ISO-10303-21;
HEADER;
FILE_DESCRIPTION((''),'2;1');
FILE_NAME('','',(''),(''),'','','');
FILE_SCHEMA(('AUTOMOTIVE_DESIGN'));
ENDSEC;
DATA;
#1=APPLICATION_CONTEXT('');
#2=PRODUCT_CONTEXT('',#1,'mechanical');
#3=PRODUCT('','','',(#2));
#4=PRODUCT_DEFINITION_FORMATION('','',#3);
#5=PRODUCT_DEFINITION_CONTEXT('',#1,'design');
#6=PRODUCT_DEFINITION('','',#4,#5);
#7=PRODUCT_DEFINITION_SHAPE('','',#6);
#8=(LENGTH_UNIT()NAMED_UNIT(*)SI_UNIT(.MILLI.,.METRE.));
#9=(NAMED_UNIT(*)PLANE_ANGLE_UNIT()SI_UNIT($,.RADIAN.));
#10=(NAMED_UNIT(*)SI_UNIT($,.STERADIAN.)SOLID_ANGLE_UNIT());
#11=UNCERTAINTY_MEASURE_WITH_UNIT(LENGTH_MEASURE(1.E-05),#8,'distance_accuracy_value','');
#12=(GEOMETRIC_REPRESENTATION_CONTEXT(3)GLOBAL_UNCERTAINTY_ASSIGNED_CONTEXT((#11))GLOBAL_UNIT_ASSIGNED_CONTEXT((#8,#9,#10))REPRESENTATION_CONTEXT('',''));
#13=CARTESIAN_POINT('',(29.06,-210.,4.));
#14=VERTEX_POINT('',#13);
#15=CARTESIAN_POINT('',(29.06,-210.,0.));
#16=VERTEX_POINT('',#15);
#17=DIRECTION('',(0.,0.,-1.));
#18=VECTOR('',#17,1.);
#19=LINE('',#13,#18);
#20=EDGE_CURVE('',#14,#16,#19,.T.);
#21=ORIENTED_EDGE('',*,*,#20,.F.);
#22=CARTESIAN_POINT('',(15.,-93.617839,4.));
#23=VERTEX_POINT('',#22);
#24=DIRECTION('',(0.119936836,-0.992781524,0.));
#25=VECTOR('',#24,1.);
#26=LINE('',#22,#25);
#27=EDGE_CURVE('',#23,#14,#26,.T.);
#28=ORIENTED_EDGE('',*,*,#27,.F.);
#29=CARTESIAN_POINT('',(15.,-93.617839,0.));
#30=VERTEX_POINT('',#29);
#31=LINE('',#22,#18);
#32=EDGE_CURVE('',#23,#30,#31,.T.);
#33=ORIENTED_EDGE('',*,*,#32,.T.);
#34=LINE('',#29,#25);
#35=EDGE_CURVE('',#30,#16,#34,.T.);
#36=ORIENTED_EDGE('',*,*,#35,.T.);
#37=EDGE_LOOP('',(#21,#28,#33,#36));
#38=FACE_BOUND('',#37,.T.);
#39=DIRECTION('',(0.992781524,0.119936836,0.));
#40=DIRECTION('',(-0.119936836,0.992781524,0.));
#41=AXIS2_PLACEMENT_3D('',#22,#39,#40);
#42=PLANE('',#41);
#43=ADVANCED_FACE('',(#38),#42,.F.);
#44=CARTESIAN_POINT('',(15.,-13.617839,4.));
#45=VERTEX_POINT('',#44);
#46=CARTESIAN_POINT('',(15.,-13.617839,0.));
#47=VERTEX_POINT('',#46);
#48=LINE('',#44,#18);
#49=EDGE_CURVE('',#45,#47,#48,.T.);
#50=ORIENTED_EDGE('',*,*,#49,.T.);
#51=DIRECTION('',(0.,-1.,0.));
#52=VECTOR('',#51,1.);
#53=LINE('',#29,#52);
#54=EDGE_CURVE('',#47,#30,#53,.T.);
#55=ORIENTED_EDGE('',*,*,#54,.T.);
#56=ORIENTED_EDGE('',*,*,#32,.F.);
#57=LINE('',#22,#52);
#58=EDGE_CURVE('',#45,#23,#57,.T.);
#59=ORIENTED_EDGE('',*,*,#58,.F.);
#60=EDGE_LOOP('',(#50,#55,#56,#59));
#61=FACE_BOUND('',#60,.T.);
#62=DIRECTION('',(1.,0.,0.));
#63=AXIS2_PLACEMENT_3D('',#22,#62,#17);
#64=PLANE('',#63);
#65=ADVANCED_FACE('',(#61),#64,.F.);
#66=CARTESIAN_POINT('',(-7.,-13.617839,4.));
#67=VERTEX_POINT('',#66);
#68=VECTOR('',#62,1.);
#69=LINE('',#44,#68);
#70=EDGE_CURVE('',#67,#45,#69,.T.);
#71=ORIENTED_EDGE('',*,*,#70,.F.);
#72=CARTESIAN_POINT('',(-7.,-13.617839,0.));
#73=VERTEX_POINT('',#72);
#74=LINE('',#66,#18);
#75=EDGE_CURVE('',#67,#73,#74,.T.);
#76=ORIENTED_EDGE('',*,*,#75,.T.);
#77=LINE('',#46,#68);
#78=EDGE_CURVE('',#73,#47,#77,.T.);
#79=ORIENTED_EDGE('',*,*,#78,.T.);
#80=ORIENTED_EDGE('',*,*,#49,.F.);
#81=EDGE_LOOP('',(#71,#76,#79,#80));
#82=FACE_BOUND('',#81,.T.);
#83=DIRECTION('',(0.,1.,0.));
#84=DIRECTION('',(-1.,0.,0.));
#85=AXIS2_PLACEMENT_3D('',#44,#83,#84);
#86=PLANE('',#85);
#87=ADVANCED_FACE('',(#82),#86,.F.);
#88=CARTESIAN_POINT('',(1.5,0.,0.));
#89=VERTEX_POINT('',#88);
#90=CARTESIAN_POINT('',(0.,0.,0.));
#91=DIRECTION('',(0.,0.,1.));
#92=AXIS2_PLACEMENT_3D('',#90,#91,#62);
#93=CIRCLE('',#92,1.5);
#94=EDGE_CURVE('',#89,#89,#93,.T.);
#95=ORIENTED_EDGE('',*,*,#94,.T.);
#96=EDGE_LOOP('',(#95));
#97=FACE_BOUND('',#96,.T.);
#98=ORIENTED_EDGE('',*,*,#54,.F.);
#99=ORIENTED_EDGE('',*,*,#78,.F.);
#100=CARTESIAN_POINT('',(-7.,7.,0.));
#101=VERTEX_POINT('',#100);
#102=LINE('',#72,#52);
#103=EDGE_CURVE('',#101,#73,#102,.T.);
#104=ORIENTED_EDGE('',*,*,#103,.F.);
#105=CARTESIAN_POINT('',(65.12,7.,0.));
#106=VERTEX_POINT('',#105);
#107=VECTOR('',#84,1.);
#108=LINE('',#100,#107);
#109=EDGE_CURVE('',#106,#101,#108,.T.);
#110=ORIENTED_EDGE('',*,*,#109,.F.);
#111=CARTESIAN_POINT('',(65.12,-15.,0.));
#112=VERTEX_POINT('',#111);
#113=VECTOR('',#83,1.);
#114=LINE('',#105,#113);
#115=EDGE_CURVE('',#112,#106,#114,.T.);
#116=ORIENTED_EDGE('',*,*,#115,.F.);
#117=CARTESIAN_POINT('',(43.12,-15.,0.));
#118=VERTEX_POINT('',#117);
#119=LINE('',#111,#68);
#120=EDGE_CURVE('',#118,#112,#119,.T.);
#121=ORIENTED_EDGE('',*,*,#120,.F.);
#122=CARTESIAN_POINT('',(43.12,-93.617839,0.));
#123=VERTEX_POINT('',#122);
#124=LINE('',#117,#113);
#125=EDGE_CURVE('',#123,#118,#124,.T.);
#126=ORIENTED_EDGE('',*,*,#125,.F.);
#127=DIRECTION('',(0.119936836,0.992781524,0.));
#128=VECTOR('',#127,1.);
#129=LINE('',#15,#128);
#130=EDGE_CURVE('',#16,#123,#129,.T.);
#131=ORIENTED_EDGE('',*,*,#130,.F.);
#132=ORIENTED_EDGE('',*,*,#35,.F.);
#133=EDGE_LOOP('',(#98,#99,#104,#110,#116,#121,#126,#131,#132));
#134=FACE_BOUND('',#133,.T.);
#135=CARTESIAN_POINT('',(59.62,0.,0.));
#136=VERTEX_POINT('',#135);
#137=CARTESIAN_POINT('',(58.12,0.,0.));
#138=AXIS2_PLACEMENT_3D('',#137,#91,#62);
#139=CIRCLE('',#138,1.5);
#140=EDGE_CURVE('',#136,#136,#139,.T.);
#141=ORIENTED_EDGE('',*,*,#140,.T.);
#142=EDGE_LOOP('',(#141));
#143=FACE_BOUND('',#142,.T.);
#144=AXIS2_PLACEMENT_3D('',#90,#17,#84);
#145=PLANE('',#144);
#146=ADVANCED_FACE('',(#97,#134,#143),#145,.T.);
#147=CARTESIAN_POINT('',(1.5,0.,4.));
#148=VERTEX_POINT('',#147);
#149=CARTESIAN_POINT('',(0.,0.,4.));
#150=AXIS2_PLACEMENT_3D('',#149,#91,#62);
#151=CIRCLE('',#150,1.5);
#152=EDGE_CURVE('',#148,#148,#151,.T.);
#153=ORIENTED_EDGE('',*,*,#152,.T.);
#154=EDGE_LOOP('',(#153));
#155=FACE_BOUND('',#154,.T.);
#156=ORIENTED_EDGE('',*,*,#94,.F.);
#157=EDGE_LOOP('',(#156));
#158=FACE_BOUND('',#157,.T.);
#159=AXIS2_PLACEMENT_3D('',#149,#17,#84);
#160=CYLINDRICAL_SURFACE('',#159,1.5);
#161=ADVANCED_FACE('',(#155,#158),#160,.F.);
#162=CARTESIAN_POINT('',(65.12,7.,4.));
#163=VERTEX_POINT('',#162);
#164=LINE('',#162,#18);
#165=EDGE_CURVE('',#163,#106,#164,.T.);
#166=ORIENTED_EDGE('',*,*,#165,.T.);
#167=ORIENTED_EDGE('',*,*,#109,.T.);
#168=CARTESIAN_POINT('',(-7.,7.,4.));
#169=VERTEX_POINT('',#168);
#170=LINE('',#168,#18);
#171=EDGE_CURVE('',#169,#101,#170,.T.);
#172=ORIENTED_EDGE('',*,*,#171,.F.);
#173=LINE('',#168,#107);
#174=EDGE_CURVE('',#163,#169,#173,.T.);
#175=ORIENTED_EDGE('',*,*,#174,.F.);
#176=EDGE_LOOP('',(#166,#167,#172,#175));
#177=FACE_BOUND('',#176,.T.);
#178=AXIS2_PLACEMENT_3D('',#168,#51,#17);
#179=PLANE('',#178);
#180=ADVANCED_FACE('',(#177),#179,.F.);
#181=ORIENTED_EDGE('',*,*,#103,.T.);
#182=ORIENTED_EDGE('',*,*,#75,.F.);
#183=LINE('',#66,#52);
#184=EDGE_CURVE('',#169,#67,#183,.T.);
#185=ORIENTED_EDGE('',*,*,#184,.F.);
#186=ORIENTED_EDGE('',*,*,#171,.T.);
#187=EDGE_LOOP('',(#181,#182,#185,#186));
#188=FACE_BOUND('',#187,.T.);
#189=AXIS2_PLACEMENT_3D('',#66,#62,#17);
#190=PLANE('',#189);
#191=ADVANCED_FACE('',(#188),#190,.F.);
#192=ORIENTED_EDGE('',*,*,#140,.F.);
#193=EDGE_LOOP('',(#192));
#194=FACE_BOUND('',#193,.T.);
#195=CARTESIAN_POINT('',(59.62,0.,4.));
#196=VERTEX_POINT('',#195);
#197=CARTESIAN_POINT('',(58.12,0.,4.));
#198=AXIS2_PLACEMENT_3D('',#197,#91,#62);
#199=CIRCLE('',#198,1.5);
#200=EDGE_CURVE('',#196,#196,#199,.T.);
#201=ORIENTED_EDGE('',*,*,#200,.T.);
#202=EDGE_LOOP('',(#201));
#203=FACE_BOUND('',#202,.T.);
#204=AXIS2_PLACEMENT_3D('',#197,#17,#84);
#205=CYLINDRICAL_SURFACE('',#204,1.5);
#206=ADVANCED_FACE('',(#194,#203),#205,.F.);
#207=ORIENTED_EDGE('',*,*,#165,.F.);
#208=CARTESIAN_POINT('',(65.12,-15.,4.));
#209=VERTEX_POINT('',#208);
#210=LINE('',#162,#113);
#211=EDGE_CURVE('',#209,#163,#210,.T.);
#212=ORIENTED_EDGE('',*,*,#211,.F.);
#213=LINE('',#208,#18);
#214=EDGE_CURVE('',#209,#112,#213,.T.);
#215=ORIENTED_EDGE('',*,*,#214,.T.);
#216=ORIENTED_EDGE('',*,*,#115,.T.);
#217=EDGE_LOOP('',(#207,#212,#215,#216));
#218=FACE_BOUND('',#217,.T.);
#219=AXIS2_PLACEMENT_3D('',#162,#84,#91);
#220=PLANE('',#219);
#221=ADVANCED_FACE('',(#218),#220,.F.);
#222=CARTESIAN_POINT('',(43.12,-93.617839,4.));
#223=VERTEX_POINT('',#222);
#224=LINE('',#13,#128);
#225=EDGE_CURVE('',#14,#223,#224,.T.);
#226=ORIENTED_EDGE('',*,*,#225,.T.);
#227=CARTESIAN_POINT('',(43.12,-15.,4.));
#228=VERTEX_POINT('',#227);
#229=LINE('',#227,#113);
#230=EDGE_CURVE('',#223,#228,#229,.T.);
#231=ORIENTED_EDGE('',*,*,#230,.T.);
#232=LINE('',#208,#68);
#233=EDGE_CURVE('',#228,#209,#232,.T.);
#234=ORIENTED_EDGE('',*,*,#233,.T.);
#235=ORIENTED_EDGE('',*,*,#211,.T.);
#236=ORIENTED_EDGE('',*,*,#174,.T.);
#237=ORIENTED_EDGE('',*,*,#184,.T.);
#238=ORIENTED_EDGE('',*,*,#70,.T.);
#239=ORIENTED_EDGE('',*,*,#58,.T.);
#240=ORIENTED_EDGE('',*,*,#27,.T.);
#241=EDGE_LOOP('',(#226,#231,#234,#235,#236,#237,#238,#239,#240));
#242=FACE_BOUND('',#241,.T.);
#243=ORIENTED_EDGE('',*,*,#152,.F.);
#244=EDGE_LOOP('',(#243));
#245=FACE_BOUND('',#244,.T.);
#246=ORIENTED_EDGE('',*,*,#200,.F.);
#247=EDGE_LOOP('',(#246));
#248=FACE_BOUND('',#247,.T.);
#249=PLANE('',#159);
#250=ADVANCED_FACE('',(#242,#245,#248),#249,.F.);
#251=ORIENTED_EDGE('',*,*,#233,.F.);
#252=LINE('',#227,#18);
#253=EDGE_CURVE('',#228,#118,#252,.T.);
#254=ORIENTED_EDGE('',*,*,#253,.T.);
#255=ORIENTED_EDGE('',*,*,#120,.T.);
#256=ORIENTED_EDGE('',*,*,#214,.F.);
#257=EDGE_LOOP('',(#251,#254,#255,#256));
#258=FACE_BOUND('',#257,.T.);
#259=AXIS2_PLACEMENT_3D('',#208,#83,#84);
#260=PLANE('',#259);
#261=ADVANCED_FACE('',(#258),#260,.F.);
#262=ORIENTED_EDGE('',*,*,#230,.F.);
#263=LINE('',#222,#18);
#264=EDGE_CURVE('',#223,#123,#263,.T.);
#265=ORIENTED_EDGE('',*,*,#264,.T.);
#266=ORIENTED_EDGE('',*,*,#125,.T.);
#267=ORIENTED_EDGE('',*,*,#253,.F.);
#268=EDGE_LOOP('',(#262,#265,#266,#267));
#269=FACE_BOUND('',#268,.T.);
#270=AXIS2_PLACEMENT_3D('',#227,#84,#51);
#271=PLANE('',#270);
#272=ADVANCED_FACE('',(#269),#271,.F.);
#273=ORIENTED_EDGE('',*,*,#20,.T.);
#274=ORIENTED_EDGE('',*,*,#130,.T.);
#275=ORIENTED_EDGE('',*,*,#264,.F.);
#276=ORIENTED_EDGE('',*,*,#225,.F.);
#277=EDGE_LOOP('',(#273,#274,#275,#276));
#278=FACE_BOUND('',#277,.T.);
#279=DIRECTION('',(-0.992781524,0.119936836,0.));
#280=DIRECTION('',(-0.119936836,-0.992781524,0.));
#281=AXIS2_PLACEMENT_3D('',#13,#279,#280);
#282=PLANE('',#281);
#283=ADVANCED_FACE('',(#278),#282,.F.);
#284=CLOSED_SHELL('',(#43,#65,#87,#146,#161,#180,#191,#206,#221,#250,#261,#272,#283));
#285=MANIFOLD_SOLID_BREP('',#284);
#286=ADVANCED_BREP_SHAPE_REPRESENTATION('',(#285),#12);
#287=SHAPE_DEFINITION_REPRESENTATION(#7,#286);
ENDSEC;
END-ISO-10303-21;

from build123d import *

# Parameters (mm, degrees)
SKETCH_1_R      = 1.5
EXTRUDE_1_DEPTH = 4


with BuildPart() as part:
    # 草图1 → 凸台-拉伸1 (new body)
    with BuildSketch(Plane.XY):
        Polygon((-7, 7), (65.12, 7), (65.12, -15), (43.12, -15), (43.12, -93.617838822), (29.06, -210), (15, -93.617838822), (15, -13.617838822), (-7, -13.617838822), align=None)
        Circle(SKETCH_1_R, mode=Mode.SUBTRACT)
        with Locations((58.12, 0)):
            Circle(SKETCH_1_R, mode=Mode.SUBTRACT)
    extrude(amount=EXTRUDE_1_DEPTH)


solid = part.part
